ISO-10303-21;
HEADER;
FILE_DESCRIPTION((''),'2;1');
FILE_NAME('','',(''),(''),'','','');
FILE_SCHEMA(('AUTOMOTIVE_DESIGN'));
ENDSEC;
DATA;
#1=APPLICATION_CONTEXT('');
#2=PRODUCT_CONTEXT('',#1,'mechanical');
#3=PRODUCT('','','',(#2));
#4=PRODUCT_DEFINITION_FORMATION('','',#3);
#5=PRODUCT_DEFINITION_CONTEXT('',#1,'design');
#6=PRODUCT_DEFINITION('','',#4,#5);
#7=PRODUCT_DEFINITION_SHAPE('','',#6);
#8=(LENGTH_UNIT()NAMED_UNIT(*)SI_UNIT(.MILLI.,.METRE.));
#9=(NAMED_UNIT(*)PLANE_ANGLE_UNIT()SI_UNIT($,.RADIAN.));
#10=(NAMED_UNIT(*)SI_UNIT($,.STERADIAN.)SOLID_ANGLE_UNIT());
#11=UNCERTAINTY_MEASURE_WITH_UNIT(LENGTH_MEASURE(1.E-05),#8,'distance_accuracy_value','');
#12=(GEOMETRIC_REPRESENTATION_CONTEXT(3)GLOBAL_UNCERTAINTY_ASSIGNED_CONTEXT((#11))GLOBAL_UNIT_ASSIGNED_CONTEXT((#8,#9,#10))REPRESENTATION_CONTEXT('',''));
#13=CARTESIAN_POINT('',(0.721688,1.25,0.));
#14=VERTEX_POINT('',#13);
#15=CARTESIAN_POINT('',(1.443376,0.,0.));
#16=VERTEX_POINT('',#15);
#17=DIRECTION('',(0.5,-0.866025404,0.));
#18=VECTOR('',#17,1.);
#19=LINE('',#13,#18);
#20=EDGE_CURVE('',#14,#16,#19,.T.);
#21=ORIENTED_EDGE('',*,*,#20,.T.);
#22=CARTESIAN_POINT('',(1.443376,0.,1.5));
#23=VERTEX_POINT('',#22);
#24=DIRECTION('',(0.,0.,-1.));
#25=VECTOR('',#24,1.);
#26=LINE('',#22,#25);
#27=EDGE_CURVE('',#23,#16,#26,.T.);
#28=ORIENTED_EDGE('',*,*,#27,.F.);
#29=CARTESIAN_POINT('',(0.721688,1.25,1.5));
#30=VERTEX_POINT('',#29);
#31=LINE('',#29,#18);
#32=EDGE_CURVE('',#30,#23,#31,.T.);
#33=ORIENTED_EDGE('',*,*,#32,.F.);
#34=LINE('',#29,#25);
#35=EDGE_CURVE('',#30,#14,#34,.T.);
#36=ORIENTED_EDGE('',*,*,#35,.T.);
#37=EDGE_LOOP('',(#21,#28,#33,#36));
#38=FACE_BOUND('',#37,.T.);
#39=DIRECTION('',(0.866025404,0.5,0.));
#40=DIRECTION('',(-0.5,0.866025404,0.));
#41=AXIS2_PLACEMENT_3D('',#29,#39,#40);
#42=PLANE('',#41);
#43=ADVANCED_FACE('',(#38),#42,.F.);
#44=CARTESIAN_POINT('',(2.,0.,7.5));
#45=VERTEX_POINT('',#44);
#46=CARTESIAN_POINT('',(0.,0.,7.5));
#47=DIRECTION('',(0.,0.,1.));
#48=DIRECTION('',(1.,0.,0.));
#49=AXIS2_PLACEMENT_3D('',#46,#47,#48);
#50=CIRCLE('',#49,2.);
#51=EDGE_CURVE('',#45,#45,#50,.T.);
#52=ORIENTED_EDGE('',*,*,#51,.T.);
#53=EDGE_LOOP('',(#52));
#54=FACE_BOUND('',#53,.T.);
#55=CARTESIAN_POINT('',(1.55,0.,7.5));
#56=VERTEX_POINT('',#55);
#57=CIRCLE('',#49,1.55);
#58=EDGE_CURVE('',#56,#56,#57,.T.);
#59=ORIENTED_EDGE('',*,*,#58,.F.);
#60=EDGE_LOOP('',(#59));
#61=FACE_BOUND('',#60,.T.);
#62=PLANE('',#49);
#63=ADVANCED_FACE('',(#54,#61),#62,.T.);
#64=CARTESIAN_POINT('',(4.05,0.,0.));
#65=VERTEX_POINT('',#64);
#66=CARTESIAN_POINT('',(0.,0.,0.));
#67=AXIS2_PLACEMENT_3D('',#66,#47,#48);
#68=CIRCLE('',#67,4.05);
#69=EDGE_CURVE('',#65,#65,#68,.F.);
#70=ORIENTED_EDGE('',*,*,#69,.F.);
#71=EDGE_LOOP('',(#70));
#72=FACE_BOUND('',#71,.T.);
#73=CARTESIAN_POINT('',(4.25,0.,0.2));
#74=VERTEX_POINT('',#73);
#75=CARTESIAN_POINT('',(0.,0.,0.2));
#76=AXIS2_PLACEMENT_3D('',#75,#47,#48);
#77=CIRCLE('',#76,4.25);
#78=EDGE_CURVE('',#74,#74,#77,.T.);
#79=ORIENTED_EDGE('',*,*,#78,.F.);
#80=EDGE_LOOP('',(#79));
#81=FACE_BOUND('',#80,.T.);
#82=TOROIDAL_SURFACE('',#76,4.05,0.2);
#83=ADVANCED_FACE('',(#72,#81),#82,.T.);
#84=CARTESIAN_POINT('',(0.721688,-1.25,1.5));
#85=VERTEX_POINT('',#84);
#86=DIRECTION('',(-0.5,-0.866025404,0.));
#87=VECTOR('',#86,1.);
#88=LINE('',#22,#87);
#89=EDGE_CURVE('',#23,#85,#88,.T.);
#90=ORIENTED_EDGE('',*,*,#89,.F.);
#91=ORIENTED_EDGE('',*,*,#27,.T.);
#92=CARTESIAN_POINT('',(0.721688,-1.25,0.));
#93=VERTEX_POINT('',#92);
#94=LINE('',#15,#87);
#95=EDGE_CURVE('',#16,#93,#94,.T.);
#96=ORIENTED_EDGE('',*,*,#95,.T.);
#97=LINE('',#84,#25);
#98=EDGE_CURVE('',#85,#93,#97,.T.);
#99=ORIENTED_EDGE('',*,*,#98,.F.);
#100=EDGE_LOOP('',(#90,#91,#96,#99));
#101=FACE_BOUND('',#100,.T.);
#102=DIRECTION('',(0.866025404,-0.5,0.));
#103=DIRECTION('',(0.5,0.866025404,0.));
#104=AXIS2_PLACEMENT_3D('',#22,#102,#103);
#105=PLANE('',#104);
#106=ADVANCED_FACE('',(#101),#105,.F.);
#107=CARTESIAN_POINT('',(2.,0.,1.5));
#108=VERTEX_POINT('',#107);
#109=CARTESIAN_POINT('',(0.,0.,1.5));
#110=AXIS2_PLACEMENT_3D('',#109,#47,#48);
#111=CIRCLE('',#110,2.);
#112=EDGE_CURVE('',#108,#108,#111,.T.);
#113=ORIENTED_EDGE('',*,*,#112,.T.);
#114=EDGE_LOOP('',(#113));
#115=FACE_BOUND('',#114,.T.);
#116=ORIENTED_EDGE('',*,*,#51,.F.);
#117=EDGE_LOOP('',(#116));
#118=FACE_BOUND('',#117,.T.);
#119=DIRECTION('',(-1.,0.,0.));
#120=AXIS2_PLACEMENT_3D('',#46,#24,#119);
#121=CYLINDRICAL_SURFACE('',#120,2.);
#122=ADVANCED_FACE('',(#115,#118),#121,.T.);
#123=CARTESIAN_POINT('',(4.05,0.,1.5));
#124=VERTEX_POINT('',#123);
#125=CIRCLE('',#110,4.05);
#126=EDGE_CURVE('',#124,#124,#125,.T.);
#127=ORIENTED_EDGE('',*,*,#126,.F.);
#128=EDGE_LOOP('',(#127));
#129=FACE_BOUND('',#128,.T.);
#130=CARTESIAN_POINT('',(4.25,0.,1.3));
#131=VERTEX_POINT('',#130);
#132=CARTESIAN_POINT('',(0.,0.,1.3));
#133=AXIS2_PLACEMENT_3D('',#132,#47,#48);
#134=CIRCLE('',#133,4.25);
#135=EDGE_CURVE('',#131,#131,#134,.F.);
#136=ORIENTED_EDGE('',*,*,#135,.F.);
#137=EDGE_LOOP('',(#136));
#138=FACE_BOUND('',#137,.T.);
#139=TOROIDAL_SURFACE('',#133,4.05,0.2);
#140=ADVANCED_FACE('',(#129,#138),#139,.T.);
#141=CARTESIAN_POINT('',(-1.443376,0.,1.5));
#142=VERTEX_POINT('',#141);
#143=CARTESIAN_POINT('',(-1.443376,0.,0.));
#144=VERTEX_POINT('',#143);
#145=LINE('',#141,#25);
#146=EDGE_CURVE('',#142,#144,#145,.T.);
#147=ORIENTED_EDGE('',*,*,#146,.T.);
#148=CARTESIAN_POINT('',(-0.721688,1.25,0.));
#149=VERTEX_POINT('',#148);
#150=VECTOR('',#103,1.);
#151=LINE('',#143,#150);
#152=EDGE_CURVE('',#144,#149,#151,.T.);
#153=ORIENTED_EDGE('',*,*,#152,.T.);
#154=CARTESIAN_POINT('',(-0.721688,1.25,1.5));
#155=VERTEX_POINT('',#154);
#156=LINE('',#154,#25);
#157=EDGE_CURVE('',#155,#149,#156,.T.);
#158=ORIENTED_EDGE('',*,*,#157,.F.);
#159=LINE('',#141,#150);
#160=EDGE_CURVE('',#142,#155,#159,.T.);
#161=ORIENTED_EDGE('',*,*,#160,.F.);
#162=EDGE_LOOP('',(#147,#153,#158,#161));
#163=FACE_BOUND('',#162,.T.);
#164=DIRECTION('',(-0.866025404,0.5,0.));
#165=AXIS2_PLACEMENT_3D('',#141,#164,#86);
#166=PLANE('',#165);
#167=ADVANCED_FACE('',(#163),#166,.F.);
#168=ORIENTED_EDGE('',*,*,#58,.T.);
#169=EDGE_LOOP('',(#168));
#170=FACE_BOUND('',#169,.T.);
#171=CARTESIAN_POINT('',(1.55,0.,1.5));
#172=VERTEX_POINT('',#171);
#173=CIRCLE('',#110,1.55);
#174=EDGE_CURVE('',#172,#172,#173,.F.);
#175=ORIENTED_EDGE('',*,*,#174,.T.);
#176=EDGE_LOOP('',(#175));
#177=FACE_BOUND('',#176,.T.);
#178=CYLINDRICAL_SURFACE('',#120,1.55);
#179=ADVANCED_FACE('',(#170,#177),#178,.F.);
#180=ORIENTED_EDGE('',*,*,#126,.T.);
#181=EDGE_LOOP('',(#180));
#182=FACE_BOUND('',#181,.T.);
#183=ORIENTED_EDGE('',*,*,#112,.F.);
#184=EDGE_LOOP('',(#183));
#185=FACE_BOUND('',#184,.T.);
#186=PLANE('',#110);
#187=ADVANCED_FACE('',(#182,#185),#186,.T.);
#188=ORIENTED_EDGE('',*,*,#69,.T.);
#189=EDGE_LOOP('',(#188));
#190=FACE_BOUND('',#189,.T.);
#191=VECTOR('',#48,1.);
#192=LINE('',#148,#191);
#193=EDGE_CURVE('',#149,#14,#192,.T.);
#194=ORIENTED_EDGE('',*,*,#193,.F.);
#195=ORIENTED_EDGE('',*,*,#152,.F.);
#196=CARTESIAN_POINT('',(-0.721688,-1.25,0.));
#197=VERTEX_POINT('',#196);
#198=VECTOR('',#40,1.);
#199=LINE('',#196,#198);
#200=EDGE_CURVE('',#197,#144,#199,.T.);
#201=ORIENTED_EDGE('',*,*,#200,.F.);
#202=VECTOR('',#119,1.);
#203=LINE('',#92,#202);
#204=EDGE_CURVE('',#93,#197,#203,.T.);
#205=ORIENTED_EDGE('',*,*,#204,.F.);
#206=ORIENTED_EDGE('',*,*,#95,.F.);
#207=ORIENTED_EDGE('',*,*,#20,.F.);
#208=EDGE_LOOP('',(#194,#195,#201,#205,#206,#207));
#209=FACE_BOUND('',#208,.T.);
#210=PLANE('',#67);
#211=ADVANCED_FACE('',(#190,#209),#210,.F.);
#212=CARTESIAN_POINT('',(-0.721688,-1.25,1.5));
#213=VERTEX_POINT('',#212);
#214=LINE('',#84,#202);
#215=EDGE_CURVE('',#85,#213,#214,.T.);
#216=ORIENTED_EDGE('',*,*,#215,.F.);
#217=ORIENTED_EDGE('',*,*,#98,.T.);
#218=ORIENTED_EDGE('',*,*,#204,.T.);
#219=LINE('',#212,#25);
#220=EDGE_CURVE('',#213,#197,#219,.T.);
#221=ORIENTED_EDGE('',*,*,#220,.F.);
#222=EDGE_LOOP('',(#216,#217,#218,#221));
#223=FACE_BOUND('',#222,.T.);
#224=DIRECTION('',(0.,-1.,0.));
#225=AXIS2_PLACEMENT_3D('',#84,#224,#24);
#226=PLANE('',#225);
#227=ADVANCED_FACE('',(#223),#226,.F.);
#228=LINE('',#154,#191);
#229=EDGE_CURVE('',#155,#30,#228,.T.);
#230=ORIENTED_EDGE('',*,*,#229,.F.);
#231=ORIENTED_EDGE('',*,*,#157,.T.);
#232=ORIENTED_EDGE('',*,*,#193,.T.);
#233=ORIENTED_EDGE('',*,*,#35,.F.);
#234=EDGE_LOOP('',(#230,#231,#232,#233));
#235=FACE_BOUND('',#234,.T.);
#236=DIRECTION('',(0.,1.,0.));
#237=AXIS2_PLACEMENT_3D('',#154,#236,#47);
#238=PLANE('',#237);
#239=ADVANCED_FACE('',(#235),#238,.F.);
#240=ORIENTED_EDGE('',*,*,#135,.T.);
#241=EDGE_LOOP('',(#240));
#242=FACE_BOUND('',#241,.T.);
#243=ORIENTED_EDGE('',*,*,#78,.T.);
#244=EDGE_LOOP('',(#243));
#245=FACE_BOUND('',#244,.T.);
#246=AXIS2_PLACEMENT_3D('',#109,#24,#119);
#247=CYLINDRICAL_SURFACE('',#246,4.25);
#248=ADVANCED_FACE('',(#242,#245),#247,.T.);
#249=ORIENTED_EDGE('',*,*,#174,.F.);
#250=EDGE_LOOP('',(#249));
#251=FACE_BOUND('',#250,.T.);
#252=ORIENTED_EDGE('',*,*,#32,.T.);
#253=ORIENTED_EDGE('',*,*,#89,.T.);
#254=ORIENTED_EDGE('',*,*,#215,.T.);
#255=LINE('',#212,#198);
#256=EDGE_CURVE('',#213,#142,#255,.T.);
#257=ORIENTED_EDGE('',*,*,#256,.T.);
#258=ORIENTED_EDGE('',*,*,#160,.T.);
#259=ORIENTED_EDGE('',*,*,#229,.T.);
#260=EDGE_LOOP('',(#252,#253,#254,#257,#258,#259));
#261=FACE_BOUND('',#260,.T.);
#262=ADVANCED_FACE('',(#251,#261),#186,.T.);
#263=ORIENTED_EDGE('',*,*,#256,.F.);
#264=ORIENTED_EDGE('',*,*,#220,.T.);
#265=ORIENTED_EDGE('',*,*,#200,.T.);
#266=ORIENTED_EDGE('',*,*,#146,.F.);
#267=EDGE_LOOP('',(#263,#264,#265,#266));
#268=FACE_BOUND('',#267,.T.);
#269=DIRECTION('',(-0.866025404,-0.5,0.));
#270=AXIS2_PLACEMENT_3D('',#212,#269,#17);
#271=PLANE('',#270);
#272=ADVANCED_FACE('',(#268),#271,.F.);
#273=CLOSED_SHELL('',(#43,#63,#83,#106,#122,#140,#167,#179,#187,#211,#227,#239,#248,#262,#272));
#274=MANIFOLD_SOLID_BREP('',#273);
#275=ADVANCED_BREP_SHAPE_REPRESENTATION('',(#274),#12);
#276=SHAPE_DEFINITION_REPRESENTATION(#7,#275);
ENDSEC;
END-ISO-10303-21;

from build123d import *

# Parameters (mm, degrees)
SKETCH_1_R          = 4.25
EXTRUDE_1_DEPTH     = 1.5
SKETCH_2_R          = 2
SKETCH_2_R_2        = 1.55
EXTRUDE_2_DEPTH     = 6
FILLET_1_R          = 0.2
CUT_EXTRUDE_1_DEPTH = 1.5


with BuildPart() as part:
    # 草图1 → 凸台-拉伸1 (new body)
    with BuildSketch(Plane.XY):
        Circle(SKETCH_1_R)
    extrude(amount=EXTRUDE_1_DEPTH)

    # 草图2 → 凸台-拉伸2 (add)
    with BuildSketch(Plane.XY.offset(1.5)):
        Circle(SKETCH_2_R)
        Circle(SKETCH_2_R_2, mode=Mode.SUBTRACT)
    extrude(amount=EXTRUDE_2_DEPTH)

    # 圆角1
    fillet_1_edges = [part.edges().sort_by_distance(p)[0] for p in [
        (-4.25, 0, 0),
        (-4.25, 0, 1.5),
    ]]
    fillet(fillet_1_edges, radius=FILLET_1_R)

    # 草图3 → 切除-拉伸1 (cut)
    with BuildSketch(Plane(origin=(0, 0, 0), x_dir=(-1, 0, 0), z_dir=(0, 0, -1))):
        Polygon((1.443375673, 0), (0.721687836, 1.25), (-0.721687836, 1.25), (-1.443375673, 0), (-0.721687836, -1.25), (0.721687836, -1.25), align=None)
    extrude(amount=-CUT_EXTRUDE_1_DEPTH, mode=Mode.SUBTRACT)


solid = part.part
